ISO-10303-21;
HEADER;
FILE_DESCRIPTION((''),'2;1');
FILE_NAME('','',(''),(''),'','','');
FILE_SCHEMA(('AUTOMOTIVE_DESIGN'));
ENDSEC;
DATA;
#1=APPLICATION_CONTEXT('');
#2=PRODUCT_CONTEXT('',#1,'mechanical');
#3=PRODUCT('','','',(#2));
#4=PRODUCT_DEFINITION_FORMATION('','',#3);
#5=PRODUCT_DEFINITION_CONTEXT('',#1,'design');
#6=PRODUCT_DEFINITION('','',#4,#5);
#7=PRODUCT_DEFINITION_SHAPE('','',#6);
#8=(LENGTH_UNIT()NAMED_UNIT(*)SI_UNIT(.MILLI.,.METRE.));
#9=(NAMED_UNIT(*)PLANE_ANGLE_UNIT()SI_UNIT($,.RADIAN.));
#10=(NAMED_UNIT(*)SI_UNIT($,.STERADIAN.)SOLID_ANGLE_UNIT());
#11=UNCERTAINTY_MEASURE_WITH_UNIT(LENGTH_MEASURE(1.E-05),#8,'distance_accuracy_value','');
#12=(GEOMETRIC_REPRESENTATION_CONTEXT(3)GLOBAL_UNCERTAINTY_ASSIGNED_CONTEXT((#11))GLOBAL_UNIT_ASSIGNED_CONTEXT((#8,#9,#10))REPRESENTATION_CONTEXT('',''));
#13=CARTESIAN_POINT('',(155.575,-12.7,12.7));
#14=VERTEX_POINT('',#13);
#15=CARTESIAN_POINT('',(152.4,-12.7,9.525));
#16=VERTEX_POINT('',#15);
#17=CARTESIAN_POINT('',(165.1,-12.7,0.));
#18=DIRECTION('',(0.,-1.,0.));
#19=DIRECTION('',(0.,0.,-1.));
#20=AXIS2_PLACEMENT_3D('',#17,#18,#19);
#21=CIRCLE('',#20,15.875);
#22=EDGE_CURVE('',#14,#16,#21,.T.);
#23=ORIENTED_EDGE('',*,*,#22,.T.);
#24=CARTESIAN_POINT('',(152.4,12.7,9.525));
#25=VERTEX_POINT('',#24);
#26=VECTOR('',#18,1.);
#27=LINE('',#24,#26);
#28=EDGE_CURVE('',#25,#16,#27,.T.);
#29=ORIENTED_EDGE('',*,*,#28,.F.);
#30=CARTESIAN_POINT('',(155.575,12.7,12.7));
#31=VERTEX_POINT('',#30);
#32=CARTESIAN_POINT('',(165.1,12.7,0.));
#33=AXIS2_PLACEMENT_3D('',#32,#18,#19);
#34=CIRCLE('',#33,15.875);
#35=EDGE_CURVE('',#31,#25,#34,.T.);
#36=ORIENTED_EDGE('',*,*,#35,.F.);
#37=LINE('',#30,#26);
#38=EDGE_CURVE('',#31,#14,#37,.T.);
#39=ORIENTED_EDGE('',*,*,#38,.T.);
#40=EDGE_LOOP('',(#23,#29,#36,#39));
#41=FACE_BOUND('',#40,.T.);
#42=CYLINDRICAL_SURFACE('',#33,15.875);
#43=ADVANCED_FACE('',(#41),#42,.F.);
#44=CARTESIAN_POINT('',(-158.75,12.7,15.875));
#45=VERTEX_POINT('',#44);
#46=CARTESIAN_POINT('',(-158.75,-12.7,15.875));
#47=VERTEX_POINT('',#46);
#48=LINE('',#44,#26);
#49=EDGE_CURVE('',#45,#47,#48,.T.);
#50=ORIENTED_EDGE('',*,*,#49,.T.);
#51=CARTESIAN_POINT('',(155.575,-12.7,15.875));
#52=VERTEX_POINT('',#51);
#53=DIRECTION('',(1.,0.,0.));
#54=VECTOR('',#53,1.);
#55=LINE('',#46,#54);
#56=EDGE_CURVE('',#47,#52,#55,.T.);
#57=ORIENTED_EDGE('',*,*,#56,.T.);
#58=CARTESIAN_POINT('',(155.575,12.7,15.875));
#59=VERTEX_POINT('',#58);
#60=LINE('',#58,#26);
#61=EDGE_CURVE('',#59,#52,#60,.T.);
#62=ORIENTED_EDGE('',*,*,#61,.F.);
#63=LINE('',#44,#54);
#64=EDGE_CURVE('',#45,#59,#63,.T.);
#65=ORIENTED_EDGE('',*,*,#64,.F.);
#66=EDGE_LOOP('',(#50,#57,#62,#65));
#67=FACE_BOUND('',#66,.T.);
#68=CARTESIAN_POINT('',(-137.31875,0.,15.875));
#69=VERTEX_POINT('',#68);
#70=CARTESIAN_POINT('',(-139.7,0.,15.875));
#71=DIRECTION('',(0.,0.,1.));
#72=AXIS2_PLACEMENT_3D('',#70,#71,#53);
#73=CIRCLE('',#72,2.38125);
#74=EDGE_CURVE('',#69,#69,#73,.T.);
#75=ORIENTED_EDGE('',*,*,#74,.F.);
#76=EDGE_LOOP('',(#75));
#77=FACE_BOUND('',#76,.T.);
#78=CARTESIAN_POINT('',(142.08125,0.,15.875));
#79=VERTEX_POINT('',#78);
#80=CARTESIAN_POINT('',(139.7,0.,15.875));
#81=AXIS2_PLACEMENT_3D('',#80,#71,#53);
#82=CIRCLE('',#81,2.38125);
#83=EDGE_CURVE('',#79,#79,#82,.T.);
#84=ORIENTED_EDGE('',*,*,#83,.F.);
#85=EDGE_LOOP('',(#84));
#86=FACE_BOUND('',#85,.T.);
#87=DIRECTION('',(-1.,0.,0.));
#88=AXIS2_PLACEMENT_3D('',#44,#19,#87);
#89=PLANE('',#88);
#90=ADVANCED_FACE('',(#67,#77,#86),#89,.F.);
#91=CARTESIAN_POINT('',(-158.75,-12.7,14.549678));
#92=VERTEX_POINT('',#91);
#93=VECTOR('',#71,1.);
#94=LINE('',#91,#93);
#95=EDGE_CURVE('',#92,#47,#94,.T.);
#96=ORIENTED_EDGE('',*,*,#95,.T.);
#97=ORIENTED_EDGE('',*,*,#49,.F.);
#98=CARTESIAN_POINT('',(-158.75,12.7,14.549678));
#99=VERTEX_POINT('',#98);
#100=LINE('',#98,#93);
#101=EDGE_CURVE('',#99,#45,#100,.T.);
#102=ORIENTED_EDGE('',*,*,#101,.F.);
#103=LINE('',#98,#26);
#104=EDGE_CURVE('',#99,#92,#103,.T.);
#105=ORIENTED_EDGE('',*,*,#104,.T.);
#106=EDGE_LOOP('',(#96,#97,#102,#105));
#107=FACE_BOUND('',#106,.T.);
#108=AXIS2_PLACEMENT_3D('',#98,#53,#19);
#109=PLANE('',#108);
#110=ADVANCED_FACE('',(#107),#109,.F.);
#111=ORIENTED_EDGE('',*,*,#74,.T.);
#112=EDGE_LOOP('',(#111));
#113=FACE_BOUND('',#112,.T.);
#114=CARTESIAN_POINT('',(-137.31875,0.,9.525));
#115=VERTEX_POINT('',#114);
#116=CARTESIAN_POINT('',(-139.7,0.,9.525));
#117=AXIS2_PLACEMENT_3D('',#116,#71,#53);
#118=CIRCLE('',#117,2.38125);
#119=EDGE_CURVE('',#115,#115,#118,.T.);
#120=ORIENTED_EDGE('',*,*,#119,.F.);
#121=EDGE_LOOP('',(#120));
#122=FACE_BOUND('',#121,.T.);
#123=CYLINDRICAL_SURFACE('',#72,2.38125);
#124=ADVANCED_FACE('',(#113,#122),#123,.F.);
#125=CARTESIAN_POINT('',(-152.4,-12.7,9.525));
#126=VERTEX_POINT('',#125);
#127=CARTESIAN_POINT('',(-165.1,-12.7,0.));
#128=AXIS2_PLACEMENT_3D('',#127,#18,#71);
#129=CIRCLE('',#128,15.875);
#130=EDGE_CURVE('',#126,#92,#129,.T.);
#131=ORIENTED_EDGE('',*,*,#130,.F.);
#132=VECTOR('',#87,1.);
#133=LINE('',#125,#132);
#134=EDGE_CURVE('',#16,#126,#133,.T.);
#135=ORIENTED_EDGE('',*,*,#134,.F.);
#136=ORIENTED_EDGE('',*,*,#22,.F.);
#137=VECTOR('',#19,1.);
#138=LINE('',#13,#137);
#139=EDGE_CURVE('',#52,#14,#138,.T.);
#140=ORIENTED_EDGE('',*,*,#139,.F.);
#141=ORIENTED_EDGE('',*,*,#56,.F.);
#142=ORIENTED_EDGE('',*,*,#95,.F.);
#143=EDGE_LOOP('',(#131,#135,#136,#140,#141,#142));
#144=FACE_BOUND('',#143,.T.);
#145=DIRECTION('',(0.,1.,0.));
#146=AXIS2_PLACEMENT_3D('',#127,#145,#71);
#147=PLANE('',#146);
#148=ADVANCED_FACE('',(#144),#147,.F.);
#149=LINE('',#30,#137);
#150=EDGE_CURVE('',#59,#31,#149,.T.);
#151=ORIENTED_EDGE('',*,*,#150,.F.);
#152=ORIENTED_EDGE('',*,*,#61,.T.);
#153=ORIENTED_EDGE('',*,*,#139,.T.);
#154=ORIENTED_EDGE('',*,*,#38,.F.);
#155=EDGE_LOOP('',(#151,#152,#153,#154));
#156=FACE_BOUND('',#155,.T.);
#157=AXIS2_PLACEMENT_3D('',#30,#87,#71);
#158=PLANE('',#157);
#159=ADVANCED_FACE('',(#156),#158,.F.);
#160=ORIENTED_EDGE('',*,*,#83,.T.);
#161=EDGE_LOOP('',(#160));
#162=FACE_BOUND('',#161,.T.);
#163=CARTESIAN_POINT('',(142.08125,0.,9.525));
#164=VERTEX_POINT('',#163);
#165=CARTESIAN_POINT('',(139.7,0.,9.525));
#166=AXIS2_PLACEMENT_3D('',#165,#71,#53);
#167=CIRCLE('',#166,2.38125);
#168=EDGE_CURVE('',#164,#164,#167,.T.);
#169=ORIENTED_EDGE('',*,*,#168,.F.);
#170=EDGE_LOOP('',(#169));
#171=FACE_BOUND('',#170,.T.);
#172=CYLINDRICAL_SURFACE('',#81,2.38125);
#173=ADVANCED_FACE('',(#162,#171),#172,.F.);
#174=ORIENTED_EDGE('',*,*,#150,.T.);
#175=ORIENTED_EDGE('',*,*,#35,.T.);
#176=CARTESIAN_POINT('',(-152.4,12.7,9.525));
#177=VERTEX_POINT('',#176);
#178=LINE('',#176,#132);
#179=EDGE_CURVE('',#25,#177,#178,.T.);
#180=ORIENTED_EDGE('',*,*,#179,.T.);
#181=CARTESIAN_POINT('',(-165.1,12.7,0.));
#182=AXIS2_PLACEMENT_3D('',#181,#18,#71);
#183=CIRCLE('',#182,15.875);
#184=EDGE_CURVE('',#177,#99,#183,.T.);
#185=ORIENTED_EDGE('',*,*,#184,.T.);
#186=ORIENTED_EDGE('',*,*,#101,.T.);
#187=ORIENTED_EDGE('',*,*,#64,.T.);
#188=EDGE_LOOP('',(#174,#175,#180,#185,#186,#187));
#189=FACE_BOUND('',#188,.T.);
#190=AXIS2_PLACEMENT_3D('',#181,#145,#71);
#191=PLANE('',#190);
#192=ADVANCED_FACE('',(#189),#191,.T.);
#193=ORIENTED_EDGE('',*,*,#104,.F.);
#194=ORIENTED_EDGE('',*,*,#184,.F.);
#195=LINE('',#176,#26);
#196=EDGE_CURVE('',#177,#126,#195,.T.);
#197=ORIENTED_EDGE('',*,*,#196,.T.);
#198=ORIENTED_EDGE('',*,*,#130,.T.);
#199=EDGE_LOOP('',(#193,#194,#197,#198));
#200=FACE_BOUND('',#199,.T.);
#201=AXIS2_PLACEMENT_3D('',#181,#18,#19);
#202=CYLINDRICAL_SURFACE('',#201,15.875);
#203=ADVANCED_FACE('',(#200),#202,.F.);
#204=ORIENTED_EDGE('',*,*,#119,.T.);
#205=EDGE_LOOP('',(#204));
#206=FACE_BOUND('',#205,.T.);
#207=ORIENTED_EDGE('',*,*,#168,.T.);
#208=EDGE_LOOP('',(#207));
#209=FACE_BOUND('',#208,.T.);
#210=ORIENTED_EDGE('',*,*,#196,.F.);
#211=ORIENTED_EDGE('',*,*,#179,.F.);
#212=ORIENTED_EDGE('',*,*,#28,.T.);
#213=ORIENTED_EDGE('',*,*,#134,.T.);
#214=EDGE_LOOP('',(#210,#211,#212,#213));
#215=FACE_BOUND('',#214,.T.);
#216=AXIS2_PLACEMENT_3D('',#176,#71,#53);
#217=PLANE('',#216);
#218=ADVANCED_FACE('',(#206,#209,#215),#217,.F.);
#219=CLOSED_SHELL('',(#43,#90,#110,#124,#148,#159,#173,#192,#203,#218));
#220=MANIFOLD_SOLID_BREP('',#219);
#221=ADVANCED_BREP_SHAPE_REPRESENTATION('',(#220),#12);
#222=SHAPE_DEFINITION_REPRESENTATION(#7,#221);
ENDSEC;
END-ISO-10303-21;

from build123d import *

# Parameters (mm, degrees)
BASE_DEPTH                     = 12.7
F_3_16_0_1875_DIAMETER_HOLE1_D = 4.7625


with BuildPart() as part:
    # Sketch1 → Base (new body, symmetric)
    with BuildSketch(Plane(origin=(0, 0, 0), x_dir=(1, 0, 0), z_dir=(0, 1, 0))):
        with BuildLine():
            Line((-152.4, -9.525), (152.4, -9.525))
            ThreePointArc((152.4, -9.525), (153.874679849, -11.225320151), (155.575, -12.7))
            Line((155.575, -12.7), (155.575, -15.875))
            Line((155.575, -15.875), (-158.75, -15.875))
            Line((-158.75, -15.875), (-158.75, -14.549677831))
            ThreePointArc((-158.75, -14.549677831), (-155.249240038, -12.449022177), (-152.4, -9.525))
        make_face()
    extrude(amount=BASE_DEPTH, both=True)

    # 3/16 (0.1875) Diameter Hole1 (through all)
    with Locations(Plane.XY.offset(15.875)):
        with Locations((-139.7, 0), (139.7, 0)):
            Hole(F_3_16_0_1875_DIAMETER_HOLE1_D / 2)


solid = part.part
